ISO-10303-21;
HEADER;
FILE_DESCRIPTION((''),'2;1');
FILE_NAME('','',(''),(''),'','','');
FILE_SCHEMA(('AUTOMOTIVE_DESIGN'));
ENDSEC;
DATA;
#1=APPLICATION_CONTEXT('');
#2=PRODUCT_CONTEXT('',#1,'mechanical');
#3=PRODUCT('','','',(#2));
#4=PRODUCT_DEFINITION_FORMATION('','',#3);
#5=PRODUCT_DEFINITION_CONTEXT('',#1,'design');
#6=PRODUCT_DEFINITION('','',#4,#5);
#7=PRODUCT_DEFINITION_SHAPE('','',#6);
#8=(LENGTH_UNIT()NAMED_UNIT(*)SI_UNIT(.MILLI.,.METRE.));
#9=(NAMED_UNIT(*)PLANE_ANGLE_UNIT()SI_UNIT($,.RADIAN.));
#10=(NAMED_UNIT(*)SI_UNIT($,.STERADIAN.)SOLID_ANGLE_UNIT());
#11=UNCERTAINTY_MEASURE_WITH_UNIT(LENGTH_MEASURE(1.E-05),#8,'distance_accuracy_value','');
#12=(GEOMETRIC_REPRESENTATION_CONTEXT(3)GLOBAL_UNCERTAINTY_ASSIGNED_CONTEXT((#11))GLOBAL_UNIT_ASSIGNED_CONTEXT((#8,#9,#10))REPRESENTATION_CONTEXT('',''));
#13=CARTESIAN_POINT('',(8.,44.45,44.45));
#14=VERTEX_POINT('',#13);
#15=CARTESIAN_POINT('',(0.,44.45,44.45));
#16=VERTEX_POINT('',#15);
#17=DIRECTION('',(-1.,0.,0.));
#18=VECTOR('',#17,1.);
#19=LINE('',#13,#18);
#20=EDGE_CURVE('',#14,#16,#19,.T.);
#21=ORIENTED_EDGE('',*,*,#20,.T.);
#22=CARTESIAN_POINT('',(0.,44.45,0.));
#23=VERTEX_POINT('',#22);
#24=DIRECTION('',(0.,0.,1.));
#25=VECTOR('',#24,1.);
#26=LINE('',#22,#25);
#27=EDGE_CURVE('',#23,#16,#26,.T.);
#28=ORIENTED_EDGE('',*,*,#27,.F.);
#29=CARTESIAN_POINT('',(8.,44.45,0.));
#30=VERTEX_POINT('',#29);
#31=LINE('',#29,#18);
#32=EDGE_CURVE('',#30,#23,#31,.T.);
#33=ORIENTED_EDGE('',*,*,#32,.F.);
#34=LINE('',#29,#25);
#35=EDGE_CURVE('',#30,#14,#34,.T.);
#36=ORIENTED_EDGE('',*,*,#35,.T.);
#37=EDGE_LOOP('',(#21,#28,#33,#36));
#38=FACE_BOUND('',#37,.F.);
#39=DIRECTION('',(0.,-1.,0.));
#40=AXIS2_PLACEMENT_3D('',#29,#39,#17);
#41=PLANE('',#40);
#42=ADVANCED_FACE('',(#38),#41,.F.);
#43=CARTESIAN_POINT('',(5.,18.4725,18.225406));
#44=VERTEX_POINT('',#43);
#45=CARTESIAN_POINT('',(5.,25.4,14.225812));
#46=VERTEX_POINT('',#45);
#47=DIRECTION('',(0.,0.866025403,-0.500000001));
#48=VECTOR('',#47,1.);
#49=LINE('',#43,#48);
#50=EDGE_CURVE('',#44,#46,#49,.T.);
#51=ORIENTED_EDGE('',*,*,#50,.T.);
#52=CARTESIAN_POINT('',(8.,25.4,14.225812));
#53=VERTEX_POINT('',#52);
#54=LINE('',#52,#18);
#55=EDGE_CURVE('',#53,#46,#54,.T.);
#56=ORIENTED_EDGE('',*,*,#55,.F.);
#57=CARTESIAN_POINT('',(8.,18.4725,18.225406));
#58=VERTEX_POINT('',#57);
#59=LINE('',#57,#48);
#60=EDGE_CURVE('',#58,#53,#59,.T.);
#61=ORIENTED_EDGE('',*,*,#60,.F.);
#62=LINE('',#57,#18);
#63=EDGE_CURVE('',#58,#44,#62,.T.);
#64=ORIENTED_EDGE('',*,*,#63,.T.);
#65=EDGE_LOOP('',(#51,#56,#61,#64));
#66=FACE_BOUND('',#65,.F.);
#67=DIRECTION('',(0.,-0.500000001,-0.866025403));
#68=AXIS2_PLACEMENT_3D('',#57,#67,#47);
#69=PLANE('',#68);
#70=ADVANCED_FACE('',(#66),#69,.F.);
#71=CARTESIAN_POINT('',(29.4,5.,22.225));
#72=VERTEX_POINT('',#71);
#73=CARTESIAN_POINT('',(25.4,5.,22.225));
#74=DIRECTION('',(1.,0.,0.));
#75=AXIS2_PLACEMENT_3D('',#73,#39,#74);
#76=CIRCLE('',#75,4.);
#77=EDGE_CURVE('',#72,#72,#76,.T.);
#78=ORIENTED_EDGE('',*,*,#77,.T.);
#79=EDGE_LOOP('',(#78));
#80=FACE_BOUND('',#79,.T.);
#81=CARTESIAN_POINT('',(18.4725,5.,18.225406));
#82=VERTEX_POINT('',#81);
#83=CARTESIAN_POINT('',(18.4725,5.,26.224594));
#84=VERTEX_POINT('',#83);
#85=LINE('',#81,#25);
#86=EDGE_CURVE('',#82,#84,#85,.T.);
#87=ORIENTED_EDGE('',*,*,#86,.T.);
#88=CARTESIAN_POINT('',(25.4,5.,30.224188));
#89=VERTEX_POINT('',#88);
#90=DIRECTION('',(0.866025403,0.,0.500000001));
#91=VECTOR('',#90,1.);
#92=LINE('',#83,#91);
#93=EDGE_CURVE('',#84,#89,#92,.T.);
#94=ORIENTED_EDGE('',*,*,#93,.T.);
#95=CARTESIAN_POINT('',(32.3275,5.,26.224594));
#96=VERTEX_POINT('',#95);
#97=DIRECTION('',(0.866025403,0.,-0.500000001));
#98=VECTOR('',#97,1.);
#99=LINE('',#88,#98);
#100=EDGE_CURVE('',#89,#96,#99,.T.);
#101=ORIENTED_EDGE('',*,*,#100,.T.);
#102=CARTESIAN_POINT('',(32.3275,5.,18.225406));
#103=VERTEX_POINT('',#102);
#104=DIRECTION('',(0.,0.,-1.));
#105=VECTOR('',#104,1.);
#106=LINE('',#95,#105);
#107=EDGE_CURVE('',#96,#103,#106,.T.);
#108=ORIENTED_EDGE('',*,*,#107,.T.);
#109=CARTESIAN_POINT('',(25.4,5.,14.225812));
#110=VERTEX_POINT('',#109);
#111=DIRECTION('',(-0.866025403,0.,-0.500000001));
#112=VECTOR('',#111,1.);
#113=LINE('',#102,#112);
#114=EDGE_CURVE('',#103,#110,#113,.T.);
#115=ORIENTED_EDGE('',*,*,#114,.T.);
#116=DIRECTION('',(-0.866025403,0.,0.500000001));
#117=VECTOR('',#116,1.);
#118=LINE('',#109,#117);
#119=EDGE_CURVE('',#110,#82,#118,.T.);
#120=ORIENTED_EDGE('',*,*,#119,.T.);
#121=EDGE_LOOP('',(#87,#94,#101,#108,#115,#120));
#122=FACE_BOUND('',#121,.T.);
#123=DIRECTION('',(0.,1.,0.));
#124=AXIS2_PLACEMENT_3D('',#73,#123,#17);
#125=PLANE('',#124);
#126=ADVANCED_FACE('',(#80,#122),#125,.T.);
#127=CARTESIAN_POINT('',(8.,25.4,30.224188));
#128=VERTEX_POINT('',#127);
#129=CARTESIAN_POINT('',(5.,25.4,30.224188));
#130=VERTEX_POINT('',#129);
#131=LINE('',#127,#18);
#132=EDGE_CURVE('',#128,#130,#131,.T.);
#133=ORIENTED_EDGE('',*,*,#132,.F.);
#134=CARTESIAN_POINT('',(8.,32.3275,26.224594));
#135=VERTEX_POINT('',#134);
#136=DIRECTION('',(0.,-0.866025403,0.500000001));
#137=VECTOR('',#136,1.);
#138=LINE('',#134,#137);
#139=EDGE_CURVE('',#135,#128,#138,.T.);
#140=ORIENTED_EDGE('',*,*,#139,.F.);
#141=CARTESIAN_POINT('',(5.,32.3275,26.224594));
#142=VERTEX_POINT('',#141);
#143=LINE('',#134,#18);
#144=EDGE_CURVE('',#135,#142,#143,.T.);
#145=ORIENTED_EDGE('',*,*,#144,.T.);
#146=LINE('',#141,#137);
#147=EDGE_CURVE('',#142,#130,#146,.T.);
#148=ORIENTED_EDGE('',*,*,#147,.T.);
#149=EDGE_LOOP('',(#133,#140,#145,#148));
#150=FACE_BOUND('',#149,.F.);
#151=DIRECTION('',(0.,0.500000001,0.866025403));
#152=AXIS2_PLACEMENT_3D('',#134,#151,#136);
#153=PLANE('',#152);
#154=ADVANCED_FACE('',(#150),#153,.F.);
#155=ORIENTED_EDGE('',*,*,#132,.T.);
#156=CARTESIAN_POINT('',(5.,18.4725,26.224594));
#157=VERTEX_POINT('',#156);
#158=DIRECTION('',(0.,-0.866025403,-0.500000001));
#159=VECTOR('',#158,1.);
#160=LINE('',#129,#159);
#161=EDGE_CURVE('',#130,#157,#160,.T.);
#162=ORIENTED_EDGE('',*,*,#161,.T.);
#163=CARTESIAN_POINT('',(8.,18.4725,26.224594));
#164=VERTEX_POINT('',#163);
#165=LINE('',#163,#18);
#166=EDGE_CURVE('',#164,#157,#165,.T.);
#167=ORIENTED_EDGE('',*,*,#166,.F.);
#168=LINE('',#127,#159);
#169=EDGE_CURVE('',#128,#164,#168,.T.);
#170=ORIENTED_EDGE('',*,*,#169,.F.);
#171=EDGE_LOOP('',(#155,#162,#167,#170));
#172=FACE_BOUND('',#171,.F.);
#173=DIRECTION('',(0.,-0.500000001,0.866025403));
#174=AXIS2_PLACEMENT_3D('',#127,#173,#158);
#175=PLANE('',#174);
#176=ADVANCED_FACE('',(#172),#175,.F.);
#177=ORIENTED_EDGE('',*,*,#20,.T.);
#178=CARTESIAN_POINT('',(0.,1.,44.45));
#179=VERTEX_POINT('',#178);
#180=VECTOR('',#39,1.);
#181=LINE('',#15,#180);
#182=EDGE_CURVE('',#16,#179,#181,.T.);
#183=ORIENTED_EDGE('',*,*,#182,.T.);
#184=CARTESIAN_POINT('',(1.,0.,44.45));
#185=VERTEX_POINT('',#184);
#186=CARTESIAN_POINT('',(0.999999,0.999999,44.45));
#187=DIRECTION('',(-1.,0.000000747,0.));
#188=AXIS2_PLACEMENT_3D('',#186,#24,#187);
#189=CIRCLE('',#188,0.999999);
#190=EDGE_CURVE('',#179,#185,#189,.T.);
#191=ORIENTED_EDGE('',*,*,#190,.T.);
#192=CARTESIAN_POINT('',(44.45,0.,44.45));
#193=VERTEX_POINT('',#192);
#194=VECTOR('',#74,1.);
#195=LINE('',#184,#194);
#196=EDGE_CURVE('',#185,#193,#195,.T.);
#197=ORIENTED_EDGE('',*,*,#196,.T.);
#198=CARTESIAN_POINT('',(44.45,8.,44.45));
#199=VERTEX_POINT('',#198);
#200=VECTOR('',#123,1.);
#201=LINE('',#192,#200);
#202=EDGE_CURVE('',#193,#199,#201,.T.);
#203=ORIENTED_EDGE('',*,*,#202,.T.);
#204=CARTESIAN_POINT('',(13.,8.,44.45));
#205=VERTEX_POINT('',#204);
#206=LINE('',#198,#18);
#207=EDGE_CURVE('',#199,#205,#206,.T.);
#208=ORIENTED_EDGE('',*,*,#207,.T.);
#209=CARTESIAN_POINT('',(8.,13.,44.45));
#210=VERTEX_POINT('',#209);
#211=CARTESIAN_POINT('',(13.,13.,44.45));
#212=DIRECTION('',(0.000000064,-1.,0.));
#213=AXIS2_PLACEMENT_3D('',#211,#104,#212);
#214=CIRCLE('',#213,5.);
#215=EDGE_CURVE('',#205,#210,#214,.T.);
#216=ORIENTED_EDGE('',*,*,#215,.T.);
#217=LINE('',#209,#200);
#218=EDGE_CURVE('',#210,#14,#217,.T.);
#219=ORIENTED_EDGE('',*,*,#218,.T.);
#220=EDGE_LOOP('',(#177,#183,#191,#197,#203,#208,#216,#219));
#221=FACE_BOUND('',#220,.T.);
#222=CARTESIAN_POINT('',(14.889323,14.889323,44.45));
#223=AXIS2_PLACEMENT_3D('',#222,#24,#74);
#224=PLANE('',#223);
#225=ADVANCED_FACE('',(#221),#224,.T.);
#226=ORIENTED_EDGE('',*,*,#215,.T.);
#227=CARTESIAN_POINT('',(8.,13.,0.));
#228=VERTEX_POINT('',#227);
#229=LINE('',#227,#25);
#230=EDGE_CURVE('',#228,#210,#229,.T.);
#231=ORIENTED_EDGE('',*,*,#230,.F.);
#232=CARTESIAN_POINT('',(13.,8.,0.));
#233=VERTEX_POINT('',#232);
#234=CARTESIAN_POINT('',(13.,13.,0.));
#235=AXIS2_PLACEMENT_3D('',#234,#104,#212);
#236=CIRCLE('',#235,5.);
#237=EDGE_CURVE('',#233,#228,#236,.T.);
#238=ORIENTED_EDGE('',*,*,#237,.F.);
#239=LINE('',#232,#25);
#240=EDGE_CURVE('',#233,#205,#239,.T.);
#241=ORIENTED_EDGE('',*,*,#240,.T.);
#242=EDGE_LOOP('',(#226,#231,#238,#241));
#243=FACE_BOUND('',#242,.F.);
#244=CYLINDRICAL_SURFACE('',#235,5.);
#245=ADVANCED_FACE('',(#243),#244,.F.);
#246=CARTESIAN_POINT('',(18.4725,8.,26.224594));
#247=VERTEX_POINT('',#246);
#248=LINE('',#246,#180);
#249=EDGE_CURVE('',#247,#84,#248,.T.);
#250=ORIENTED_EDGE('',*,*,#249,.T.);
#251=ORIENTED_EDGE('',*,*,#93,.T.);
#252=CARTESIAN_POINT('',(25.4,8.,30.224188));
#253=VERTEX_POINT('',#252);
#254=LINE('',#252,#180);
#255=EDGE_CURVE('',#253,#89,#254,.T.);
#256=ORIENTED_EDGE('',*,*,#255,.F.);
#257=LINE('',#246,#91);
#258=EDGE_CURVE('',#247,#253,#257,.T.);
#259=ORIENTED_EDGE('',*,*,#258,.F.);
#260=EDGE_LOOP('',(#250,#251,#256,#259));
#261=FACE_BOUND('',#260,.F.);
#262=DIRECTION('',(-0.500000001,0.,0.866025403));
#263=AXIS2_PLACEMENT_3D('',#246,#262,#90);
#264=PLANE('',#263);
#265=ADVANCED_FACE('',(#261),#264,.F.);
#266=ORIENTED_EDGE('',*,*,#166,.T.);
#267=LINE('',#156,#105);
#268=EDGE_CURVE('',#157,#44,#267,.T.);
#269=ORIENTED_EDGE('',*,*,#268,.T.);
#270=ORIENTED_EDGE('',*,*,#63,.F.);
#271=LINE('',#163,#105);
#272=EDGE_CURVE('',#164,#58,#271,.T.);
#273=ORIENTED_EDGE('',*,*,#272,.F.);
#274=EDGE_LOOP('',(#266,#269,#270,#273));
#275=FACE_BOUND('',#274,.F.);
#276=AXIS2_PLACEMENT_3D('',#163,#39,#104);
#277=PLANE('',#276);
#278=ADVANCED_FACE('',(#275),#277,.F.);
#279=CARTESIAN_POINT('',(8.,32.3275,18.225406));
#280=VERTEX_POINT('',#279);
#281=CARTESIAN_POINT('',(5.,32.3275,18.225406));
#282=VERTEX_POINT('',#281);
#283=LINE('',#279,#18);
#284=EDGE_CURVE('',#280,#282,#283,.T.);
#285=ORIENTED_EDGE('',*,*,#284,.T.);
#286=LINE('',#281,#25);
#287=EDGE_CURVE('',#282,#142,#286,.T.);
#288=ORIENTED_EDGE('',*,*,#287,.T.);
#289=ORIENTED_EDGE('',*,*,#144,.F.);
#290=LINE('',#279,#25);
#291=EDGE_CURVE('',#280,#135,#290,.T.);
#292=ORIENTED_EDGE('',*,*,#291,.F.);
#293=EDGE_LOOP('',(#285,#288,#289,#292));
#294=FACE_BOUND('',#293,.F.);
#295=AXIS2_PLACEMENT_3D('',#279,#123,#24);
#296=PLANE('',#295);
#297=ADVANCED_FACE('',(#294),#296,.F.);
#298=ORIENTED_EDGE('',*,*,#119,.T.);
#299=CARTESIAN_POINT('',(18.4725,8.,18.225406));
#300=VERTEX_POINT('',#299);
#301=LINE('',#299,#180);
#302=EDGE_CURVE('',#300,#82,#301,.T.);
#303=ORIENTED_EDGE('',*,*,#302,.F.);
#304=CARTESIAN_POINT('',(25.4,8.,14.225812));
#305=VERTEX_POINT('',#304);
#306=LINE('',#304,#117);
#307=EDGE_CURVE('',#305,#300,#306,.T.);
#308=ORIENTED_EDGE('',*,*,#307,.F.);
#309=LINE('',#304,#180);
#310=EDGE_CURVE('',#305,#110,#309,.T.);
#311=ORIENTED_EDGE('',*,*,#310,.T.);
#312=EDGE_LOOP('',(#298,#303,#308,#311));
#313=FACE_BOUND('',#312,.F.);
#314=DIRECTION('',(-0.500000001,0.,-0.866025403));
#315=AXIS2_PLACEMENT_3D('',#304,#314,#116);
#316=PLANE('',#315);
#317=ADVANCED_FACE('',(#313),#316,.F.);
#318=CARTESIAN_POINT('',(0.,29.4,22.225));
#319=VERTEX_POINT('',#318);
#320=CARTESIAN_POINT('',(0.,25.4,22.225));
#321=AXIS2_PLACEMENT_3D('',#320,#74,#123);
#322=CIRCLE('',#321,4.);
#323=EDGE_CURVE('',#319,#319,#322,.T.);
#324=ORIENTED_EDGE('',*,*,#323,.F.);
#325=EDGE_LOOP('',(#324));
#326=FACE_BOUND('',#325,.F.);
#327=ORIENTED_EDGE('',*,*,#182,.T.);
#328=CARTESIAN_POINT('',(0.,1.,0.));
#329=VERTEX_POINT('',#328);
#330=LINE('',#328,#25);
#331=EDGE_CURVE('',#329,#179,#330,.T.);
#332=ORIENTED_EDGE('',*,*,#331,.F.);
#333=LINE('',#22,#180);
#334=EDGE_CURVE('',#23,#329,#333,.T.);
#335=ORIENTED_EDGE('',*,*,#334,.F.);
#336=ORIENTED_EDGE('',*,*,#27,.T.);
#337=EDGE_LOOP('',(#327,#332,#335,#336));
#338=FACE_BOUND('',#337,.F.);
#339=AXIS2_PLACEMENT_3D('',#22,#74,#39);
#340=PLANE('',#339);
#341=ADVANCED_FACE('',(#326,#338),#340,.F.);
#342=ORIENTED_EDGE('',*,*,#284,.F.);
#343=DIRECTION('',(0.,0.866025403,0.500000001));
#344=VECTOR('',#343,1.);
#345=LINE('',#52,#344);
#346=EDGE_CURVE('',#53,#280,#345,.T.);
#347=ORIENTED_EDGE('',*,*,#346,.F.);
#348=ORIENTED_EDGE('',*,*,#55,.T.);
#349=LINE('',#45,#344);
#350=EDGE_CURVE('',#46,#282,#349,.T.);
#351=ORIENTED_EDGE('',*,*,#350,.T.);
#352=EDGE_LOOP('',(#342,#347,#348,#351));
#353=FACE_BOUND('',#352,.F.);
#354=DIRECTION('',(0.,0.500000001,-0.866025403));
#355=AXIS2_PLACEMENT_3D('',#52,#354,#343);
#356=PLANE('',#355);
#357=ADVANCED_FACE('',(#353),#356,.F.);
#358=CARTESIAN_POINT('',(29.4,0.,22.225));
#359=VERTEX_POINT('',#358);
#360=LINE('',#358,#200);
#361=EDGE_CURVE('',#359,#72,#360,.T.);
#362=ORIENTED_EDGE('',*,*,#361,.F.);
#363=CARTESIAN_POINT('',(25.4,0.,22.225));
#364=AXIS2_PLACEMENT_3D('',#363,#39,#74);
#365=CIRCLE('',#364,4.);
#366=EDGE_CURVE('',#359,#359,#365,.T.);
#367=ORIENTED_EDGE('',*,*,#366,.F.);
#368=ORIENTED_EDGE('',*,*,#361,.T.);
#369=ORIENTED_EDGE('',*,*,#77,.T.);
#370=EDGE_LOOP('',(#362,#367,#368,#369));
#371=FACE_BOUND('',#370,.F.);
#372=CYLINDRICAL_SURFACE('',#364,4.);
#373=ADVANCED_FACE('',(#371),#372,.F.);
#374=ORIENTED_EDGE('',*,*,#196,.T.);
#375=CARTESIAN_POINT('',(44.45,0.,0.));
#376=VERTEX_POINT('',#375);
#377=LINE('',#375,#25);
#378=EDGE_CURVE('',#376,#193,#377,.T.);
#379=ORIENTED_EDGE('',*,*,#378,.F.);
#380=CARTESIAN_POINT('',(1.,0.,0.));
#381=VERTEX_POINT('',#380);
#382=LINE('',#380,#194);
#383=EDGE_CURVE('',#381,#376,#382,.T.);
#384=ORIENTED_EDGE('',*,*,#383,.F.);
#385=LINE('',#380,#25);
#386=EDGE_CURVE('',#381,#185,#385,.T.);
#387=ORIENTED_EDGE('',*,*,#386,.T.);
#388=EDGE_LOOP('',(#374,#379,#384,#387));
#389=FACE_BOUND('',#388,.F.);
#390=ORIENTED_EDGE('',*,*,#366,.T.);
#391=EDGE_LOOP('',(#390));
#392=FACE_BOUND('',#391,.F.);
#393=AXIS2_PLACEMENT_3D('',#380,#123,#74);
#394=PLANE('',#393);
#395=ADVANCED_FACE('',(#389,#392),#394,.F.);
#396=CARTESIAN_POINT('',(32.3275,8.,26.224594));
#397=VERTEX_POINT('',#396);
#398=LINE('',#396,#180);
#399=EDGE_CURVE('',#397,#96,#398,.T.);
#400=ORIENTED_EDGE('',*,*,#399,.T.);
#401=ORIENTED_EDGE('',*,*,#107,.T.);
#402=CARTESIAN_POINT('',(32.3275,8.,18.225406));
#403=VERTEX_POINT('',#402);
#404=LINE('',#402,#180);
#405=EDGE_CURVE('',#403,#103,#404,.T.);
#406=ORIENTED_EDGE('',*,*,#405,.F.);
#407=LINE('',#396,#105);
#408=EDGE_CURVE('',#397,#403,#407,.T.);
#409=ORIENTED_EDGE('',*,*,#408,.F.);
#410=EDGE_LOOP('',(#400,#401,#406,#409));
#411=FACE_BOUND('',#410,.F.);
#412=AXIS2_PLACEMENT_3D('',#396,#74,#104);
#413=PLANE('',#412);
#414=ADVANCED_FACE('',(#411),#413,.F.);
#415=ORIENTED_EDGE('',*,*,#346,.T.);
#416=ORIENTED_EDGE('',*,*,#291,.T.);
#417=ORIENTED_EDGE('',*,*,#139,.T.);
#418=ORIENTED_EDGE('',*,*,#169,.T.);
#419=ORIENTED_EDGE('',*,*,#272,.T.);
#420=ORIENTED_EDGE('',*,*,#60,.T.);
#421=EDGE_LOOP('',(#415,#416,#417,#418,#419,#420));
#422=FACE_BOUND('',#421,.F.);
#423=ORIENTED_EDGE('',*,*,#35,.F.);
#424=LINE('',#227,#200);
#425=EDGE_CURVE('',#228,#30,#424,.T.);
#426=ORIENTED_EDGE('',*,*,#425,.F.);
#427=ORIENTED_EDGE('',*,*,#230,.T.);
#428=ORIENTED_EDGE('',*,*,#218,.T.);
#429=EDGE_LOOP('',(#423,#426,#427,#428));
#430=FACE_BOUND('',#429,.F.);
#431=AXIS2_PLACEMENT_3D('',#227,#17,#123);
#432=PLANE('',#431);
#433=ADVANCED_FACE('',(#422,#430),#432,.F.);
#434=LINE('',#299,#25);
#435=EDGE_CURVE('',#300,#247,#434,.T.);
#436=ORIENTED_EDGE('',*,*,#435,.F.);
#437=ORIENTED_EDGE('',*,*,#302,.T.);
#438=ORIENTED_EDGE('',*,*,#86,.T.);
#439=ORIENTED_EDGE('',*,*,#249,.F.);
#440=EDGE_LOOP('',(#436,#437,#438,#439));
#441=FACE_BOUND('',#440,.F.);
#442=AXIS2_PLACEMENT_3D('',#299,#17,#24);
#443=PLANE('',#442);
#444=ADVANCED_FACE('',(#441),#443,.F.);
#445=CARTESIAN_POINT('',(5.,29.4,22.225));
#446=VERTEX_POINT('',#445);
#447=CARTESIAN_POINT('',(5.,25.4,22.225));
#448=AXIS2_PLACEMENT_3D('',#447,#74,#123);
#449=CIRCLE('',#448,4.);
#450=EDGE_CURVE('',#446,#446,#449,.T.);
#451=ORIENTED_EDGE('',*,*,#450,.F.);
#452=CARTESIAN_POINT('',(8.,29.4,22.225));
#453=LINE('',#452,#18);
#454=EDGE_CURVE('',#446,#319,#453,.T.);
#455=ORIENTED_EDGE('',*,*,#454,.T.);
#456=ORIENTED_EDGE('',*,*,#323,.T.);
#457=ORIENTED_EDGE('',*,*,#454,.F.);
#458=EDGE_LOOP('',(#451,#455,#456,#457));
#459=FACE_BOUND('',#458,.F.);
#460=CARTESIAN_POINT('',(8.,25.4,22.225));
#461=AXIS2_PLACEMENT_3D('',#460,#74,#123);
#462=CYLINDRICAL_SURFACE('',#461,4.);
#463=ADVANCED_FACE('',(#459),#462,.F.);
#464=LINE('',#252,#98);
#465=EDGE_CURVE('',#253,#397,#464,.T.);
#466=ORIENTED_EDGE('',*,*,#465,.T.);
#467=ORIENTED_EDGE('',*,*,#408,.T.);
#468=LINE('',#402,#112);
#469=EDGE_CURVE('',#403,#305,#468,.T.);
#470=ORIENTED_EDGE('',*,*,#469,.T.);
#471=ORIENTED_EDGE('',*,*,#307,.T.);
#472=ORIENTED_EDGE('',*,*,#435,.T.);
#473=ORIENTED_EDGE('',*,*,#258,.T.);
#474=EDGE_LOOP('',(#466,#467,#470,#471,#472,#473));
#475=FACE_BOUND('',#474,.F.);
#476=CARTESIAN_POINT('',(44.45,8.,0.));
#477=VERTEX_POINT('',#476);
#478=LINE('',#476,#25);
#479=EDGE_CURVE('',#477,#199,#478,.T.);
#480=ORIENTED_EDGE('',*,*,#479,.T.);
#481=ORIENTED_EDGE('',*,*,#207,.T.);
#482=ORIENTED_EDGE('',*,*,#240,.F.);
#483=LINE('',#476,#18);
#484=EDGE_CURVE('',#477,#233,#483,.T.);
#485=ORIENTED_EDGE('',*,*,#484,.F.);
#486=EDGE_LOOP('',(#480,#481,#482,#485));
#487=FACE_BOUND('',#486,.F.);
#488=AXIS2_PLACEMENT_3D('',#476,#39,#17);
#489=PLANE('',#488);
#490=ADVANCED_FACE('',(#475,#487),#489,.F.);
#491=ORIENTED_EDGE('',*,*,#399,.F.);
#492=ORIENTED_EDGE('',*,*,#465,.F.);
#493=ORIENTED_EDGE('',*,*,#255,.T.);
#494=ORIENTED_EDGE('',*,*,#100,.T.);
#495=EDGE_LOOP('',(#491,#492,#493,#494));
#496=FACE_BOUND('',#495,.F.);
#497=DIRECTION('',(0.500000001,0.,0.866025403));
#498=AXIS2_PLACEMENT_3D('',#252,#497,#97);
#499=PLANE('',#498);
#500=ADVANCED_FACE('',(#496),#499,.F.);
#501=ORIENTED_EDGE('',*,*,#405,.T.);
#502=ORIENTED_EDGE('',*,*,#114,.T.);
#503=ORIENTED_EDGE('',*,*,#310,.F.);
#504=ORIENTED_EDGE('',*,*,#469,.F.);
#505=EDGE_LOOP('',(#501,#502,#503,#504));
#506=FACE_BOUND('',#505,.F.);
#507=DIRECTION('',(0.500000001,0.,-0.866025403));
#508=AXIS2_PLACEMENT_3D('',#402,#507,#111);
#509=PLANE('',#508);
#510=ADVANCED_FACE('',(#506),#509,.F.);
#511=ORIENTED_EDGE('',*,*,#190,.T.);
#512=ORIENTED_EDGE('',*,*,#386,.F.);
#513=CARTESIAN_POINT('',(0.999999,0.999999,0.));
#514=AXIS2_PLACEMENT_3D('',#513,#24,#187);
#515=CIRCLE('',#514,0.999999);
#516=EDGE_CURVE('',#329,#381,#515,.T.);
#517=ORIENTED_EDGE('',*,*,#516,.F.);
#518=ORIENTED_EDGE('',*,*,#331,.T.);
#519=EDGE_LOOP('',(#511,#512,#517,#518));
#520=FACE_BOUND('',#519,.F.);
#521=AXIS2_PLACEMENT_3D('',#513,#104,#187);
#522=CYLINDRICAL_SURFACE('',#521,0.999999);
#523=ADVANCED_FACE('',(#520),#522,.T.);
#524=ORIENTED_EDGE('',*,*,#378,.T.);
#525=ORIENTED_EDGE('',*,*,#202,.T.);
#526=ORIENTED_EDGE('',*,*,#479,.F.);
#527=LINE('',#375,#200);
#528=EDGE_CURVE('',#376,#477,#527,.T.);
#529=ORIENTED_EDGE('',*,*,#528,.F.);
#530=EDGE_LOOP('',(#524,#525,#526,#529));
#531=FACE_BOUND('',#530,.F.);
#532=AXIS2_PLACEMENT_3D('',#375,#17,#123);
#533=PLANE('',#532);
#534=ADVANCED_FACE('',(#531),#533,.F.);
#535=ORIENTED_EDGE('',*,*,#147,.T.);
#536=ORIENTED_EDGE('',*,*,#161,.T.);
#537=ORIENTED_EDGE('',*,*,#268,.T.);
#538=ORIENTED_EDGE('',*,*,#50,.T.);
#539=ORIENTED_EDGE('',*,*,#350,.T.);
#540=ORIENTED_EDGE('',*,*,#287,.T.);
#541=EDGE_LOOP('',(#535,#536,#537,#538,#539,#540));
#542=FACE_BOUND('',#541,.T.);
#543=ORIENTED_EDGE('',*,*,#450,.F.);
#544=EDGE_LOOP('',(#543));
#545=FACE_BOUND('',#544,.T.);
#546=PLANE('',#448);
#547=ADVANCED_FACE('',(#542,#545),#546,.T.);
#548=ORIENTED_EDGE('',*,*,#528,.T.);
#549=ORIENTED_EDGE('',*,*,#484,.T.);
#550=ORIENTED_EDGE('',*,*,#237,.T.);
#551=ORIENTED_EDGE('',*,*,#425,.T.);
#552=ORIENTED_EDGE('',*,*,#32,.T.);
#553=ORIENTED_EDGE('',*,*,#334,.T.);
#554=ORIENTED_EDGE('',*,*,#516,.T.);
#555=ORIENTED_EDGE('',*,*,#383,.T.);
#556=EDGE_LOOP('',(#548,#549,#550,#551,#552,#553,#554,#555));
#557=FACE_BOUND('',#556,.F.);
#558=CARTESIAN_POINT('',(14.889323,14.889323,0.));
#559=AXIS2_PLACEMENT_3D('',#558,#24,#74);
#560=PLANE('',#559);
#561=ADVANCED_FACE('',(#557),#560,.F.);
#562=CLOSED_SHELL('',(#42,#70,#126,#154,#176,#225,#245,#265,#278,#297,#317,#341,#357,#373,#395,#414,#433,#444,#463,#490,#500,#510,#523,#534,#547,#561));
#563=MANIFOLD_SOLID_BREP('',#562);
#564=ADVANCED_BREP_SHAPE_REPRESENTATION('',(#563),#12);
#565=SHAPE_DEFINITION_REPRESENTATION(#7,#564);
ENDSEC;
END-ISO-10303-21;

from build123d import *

# Parameters (mm, degrees)
F1_DEPTH = 44.45
F2_R     = 4
F3_DEPTH = 8
F4_R     = 4
F5_DEPTH = 8
F7_DEPTH = 3
F9_DEPTH = 3


with BuildPart() as f1:
    # F0 (on Top) → F1 (new body)
    with BuildSketch(Plane.XY):
        with BuildLine():
            Line((8, 44.45), (0, 44.45))
            Line((0, 44.45), (0, 1))
            ThreePointArc((0, 1), (0.292893, 0.292893), (1, 0))
            Line((1, 0), (44.45, 0))
            Line((44.45, 0), (44.45, 8))
            Line((44.45, 8), (13, 8))
            ThreePointArc((13, 8), (9.464466, 9.464466), (8, 13))
            Line((8, 13), (8, 44.45))
        make_face()
    extrude(amount=F1_DEPTH)

    # F2 (on face) → F3 (cut, through all)
    with BuildSketch(Plane.YZ.offset(8)):
        with Locations((25.4, 22.225)):
            Circle(F2_R)
    extrude(amount=-F3_DEPTH, mode=Mode.SUBTRACT)

    # F4 (on face) → F5 (cut, through all)
    with BuildSketch(Plane.XZ):
        with Locations((25.4, 22.225)):
            Circle(F4_R)
    extrude(amount=-F5_DEPTH, mode=Mode.SUBTRACT)

    # F6 (on face) → F7 (cut)
    with BuildSketch(Plane.YZ.offset(8)):
        Polygon((25.4, 14.225812), (32.3275, 18.225406), (32.3275, 26.224594), (25.4, 30.224188), (18.4725, 26.224594), (18.4725, 18.225406), align=None)
    extrude(amount=-F7_DEPTH, mode=Mode.SUBTRACT)

    # F8 (on face) → F9 (cut)
    with BuildSketch(Plane(origin=(0, 8, 0), x_dir=(-1, 0, 0), z_dir=(0, 1, 0))):
        Polygon((-25.4, 30.224188), (-32.3275, 26.224594), (-32.3275, 18.225406), (-25.4, 14.225812), (-18.4725, 18.225406), (-18.4725, 26.224594), align=None)
    extrude(amount=-F9_DEPTH, mode=Mode.SUBTRACT)


solid = f1.part
